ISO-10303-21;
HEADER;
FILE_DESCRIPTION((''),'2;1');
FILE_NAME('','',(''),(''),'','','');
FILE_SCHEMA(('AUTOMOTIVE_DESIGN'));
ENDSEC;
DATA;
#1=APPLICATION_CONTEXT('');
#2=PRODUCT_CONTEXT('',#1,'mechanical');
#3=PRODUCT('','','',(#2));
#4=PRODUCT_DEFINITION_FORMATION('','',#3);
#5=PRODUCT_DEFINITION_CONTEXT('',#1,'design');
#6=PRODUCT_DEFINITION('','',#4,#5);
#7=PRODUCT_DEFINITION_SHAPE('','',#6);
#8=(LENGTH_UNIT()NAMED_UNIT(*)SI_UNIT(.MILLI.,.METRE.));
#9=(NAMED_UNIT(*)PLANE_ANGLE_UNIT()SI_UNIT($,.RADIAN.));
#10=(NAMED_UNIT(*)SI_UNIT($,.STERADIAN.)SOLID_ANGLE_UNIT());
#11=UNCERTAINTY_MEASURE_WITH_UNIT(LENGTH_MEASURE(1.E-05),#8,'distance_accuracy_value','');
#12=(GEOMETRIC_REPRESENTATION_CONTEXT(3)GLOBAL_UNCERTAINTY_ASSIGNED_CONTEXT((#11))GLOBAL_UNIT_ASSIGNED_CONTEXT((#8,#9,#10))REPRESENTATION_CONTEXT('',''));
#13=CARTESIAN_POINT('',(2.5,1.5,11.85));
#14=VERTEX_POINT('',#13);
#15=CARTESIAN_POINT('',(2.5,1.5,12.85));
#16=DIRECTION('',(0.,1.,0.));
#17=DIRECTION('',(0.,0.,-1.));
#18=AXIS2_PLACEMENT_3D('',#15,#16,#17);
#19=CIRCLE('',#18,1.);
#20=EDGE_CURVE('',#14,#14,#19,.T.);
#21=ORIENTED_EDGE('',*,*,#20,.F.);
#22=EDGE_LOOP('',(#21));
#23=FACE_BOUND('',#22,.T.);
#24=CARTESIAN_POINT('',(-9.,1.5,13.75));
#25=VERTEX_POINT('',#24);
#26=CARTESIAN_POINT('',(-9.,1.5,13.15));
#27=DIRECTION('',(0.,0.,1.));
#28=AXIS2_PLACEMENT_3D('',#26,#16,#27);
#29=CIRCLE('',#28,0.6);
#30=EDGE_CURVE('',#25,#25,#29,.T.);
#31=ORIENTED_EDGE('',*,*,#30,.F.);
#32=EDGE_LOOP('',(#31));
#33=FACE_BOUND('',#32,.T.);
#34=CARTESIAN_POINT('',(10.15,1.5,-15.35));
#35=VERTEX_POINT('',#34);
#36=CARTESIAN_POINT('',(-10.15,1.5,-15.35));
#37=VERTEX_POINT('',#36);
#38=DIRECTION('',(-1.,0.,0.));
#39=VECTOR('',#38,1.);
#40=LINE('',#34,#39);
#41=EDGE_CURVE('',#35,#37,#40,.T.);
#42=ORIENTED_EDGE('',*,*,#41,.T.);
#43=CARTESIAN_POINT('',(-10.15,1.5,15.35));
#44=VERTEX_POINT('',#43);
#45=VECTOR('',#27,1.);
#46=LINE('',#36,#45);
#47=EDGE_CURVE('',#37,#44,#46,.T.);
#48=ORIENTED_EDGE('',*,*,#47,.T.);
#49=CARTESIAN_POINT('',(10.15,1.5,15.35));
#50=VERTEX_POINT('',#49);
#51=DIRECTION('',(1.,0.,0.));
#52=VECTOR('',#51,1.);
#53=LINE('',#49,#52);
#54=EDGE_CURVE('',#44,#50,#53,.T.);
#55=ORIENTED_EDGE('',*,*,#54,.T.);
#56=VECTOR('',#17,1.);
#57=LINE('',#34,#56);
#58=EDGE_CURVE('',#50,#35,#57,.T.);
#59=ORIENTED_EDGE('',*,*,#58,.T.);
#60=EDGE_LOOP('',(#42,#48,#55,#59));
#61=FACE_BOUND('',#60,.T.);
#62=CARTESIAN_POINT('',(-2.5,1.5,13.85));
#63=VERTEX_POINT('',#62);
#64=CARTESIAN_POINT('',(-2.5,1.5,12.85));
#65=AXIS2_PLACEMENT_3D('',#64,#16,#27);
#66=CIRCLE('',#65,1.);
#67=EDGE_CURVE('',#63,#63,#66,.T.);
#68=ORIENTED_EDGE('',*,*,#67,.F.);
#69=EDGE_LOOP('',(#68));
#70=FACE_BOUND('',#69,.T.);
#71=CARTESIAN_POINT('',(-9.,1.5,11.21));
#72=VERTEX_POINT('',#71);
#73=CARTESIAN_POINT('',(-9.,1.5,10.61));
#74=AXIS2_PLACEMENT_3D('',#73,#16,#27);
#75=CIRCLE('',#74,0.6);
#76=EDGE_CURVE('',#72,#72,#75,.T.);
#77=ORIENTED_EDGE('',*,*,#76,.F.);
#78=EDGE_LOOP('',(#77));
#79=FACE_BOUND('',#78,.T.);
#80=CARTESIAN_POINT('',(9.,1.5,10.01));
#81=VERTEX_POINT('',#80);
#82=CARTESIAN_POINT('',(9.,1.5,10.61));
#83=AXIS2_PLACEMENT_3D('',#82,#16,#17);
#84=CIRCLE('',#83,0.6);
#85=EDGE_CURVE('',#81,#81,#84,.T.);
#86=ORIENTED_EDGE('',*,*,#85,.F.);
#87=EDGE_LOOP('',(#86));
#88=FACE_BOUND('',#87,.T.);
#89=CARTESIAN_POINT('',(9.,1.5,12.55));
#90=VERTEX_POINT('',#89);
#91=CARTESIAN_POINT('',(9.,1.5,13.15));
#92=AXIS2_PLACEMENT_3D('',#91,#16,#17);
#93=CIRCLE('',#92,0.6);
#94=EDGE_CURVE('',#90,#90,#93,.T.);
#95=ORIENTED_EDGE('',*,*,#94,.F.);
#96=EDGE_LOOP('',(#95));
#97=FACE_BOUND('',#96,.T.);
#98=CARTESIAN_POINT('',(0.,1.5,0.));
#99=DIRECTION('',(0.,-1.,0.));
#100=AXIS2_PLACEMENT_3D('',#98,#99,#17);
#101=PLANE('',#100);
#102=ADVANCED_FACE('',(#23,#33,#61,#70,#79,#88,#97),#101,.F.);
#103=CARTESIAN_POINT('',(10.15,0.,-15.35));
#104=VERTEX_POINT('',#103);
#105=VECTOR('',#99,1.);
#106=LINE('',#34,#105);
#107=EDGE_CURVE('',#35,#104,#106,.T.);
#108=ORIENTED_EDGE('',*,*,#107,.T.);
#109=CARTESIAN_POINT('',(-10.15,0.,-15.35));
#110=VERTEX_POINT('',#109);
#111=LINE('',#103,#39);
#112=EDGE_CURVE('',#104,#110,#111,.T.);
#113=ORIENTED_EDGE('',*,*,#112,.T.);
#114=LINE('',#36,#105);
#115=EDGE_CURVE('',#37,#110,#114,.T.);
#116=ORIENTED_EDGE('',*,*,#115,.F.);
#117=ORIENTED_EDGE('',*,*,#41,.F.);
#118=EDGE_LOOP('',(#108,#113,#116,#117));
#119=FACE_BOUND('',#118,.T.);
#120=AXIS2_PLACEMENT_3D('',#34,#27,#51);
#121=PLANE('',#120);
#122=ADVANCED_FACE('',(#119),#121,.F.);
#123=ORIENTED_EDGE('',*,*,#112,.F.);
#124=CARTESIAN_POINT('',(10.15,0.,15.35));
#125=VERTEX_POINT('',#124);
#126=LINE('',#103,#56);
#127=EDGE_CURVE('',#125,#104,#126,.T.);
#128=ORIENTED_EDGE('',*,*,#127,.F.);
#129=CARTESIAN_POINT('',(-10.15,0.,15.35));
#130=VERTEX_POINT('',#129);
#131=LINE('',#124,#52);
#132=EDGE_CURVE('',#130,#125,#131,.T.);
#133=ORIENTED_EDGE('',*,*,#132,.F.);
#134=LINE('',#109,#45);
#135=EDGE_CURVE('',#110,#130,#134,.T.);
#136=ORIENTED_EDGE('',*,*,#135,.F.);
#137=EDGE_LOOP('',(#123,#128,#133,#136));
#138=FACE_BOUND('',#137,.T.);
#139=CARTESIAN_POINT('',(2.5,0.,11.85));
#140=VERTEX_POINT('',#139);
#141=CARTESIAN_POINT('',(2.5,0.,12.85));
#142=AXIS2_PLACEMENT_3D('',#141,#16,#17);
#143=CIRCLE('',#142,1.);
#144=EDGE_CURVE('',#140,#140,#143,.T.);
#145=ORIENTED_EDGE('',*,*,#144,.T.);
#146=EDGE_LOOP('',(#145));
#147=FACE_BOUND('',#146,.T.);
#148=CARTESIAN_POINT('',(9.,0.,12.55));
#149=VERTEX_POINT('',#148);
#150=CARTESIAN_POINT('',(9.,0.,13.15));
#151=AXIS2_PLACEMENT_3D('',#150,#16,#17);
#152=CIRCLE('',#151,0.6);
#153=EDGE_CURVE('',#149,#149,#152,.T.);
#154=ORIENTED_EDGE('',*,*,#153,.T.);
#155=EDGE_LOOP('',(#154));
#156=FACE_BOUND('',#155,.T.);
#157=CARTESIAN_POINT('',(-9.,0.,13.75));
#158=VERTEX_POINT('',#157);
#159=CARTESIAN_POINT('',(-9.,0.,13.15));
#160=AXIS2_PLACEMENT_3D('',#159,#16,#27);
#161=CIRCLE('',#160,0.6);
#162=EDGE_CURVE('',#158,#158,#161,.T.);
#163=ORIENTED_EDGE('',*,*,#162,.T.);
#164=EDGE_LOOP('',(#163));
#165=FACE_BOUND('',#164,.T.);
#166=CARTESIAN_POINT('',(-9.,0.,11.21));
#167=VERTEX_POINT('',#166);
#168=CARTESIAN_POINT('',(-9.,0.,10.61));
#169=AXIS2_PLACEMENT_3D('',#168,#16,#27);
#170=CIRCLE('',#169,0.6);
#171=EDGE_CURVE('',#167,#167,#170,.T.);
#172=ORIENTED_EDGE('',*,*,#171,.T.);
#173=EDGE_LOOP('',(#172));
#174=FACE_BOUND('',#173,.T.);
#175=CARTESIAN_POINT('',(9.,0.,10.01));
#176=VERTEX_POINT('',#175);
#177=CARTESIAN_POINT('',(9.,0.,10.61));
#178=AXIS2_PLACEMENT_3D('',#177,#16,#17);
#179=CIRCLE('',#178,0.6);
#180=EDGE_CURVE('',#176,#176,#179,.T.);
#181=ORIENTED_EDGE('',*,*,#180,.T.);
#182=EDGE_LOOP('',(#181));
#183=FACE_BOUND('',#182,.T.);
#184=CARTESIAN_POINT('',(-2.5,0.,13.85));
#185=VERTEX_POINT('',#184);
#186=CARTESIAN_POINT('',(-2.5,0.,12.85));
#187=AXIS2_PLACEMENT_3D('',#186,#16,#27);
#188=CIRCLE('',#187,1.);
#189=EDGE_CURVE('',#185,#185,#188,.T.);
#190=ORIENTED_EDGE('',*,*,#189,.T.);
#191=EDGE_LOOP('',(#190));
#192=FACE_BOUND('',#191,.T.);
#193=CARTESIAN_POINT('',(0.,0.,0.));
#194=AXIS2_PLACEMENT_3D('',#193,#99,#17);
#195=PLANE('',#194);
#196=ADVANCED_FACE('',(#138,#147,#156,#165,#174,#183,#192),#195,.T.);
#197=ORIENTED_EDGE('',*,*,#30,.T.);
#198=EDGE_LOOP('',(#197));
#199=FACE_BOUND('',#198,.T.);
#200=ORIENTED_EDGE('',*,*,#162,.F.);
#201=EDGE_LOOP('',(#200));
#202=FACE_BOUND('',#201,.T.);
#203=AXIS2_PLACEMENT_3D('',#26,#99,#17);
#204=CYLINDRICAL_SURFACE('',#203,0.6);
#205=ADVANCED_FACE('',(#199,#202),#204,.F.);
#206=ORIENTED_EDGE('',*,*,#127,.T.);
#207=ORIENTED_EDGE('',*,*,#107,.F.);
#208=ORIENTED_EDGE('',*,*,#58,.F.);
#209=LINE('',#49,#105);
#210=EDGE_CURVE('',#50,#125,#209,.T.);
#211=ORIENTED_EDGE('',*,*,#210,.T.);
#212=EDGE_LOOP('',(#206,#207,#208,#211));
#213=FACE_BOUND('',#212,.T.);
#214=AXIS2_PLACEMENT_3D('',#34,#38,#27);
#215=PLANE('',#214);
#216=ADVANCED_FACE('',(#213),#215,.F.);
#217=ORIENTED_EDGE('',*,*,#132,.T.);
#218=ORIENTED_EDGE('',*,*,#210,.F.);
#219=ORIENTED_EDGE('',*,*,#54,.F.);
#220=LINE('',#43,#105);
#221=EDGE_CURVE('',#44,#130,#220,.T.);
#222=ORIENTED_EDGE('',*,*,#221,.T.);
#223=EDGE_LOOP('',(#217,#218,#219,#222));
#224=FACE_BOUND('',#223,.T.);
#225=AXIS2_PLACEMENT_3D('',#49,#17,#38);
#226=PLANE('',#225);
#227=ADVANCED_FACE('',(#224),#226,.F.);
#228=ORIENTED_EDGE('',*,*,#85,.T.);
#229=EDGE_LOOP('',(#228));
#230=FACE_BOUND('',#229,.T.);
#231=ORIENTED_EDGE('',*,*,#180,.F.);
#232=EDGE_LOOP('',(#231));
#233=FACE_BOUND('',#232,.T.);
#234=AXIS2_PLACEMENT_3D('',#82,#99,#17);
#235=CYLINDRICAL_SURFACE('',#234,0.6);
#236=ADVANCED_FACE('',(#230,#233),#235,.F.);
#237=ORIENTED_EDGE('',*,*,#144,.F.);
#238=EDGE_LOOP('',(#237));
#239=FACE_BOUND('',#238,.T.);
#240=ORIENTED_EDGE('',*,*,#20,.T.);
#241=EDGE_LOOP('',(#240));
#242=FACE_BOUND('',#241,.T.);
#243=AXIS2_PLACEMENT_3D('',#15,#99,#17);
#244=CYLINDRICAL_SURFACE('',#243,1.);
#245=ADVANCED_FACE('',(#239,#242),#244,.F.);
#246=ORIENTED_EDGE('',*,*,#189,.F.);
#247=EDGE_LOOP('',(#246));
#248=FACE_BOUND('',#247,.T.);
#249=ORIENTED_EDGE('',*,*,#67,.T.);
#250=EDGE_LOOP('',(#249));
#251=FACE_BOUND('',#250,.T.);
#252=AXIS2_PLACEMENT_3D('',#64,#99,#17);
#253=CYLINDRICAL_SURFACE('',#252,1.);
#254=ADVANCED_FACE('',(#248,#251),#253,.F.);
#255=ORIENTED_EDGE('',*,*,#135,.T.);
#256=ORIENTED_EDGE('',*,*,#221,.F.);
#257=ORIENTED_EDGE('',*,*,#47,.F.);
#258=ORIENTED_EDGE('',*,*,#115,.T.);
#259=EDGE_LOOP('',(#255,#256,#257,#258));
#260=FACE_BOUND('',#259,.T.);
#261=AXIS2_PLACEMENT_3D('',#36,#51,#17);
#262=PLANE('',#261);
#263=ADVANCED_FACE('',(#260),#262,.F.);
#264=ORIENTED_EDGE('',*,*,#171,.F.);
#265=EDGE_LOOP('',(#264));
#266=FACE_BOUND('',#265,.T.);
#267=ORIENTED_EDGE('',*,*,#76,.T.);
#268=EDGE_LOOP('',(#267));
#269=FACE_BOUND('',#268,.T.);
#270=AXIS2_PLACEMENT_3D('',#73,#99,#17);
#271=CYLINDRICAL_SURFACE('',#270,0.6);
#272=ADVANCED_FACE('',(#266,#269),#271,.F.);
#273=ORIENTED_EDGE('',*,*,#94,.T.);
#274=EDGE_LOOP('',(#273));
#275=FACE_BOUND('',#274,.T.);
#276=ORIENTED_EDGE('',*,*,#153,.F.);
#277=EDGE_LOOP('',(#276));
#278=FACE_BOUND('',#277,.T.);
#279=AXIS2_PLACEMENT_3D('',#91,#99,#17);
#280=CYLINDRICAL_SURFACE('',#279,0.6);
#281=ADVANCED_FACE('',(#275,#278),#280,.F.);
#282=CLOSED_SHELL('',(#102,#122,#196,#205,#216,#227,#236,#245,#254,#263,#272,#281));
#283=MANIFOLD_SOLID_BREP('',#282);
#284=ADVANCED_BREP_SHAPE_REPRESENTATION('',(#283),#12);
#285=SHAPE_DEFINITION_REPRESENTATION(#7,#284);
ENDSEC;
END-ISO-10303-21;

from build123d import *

# Parameters (mm, degrees)
SKETCH_2_W      = 20.3
SKETCH_2_H      = 30.7
SKETCH_2_R      = 0.6
SKETCH_2_R_2    = 1
EXTRUDE_1_DEPTH = 1.5


with BuildPart() as part:
    # Эскиз2 → Бобышка-Вытянуть1 (new body)
    with BuildSketch(Plane(origin=(0, 0, 0), x_dir=(1, 0, 0), z_dir=(0, 1, 0))):
        Rectangle(SKETCH_2_W, SKETCH_2_H)
        with Locations(Location((-9, -13.15, 0), (0, 0, 270))):
            Circle(SKETCH_2_R, mode=Mode.SUBTRACT)
        with Locations(Location((-9, -10.61, 0), (0, 0, 270))):
            Circle(SKETCH_2_R, mode=Mode.SUBTRACT)
        with Locations(Location((9, -13.15, 0), (0, 0, 90))):
            Circle(SKETCH_2_R, mode=Mode.SUBTRACT)
        with Locations(Location((9, -10.61, 0), (0, 0, 90))):
            Circle(SKETCH_2_R, mode=Mode.SUBTRACT)
        with Locations(Location((-2.5, -12.85, 0), (0, 0, 270))):
            Circle(SKETCH_2_R_2, mode=Mode.SUBTRACT)
        with Locations(Location((2.5, -12.85, 0), (0, 0, 90))):
            Circle(SKETCH_2_R_2, mode=Mode.SUBTRACT)
    extrude(amount=EXTRUDE_1_DEPTH)


solid = part.part
